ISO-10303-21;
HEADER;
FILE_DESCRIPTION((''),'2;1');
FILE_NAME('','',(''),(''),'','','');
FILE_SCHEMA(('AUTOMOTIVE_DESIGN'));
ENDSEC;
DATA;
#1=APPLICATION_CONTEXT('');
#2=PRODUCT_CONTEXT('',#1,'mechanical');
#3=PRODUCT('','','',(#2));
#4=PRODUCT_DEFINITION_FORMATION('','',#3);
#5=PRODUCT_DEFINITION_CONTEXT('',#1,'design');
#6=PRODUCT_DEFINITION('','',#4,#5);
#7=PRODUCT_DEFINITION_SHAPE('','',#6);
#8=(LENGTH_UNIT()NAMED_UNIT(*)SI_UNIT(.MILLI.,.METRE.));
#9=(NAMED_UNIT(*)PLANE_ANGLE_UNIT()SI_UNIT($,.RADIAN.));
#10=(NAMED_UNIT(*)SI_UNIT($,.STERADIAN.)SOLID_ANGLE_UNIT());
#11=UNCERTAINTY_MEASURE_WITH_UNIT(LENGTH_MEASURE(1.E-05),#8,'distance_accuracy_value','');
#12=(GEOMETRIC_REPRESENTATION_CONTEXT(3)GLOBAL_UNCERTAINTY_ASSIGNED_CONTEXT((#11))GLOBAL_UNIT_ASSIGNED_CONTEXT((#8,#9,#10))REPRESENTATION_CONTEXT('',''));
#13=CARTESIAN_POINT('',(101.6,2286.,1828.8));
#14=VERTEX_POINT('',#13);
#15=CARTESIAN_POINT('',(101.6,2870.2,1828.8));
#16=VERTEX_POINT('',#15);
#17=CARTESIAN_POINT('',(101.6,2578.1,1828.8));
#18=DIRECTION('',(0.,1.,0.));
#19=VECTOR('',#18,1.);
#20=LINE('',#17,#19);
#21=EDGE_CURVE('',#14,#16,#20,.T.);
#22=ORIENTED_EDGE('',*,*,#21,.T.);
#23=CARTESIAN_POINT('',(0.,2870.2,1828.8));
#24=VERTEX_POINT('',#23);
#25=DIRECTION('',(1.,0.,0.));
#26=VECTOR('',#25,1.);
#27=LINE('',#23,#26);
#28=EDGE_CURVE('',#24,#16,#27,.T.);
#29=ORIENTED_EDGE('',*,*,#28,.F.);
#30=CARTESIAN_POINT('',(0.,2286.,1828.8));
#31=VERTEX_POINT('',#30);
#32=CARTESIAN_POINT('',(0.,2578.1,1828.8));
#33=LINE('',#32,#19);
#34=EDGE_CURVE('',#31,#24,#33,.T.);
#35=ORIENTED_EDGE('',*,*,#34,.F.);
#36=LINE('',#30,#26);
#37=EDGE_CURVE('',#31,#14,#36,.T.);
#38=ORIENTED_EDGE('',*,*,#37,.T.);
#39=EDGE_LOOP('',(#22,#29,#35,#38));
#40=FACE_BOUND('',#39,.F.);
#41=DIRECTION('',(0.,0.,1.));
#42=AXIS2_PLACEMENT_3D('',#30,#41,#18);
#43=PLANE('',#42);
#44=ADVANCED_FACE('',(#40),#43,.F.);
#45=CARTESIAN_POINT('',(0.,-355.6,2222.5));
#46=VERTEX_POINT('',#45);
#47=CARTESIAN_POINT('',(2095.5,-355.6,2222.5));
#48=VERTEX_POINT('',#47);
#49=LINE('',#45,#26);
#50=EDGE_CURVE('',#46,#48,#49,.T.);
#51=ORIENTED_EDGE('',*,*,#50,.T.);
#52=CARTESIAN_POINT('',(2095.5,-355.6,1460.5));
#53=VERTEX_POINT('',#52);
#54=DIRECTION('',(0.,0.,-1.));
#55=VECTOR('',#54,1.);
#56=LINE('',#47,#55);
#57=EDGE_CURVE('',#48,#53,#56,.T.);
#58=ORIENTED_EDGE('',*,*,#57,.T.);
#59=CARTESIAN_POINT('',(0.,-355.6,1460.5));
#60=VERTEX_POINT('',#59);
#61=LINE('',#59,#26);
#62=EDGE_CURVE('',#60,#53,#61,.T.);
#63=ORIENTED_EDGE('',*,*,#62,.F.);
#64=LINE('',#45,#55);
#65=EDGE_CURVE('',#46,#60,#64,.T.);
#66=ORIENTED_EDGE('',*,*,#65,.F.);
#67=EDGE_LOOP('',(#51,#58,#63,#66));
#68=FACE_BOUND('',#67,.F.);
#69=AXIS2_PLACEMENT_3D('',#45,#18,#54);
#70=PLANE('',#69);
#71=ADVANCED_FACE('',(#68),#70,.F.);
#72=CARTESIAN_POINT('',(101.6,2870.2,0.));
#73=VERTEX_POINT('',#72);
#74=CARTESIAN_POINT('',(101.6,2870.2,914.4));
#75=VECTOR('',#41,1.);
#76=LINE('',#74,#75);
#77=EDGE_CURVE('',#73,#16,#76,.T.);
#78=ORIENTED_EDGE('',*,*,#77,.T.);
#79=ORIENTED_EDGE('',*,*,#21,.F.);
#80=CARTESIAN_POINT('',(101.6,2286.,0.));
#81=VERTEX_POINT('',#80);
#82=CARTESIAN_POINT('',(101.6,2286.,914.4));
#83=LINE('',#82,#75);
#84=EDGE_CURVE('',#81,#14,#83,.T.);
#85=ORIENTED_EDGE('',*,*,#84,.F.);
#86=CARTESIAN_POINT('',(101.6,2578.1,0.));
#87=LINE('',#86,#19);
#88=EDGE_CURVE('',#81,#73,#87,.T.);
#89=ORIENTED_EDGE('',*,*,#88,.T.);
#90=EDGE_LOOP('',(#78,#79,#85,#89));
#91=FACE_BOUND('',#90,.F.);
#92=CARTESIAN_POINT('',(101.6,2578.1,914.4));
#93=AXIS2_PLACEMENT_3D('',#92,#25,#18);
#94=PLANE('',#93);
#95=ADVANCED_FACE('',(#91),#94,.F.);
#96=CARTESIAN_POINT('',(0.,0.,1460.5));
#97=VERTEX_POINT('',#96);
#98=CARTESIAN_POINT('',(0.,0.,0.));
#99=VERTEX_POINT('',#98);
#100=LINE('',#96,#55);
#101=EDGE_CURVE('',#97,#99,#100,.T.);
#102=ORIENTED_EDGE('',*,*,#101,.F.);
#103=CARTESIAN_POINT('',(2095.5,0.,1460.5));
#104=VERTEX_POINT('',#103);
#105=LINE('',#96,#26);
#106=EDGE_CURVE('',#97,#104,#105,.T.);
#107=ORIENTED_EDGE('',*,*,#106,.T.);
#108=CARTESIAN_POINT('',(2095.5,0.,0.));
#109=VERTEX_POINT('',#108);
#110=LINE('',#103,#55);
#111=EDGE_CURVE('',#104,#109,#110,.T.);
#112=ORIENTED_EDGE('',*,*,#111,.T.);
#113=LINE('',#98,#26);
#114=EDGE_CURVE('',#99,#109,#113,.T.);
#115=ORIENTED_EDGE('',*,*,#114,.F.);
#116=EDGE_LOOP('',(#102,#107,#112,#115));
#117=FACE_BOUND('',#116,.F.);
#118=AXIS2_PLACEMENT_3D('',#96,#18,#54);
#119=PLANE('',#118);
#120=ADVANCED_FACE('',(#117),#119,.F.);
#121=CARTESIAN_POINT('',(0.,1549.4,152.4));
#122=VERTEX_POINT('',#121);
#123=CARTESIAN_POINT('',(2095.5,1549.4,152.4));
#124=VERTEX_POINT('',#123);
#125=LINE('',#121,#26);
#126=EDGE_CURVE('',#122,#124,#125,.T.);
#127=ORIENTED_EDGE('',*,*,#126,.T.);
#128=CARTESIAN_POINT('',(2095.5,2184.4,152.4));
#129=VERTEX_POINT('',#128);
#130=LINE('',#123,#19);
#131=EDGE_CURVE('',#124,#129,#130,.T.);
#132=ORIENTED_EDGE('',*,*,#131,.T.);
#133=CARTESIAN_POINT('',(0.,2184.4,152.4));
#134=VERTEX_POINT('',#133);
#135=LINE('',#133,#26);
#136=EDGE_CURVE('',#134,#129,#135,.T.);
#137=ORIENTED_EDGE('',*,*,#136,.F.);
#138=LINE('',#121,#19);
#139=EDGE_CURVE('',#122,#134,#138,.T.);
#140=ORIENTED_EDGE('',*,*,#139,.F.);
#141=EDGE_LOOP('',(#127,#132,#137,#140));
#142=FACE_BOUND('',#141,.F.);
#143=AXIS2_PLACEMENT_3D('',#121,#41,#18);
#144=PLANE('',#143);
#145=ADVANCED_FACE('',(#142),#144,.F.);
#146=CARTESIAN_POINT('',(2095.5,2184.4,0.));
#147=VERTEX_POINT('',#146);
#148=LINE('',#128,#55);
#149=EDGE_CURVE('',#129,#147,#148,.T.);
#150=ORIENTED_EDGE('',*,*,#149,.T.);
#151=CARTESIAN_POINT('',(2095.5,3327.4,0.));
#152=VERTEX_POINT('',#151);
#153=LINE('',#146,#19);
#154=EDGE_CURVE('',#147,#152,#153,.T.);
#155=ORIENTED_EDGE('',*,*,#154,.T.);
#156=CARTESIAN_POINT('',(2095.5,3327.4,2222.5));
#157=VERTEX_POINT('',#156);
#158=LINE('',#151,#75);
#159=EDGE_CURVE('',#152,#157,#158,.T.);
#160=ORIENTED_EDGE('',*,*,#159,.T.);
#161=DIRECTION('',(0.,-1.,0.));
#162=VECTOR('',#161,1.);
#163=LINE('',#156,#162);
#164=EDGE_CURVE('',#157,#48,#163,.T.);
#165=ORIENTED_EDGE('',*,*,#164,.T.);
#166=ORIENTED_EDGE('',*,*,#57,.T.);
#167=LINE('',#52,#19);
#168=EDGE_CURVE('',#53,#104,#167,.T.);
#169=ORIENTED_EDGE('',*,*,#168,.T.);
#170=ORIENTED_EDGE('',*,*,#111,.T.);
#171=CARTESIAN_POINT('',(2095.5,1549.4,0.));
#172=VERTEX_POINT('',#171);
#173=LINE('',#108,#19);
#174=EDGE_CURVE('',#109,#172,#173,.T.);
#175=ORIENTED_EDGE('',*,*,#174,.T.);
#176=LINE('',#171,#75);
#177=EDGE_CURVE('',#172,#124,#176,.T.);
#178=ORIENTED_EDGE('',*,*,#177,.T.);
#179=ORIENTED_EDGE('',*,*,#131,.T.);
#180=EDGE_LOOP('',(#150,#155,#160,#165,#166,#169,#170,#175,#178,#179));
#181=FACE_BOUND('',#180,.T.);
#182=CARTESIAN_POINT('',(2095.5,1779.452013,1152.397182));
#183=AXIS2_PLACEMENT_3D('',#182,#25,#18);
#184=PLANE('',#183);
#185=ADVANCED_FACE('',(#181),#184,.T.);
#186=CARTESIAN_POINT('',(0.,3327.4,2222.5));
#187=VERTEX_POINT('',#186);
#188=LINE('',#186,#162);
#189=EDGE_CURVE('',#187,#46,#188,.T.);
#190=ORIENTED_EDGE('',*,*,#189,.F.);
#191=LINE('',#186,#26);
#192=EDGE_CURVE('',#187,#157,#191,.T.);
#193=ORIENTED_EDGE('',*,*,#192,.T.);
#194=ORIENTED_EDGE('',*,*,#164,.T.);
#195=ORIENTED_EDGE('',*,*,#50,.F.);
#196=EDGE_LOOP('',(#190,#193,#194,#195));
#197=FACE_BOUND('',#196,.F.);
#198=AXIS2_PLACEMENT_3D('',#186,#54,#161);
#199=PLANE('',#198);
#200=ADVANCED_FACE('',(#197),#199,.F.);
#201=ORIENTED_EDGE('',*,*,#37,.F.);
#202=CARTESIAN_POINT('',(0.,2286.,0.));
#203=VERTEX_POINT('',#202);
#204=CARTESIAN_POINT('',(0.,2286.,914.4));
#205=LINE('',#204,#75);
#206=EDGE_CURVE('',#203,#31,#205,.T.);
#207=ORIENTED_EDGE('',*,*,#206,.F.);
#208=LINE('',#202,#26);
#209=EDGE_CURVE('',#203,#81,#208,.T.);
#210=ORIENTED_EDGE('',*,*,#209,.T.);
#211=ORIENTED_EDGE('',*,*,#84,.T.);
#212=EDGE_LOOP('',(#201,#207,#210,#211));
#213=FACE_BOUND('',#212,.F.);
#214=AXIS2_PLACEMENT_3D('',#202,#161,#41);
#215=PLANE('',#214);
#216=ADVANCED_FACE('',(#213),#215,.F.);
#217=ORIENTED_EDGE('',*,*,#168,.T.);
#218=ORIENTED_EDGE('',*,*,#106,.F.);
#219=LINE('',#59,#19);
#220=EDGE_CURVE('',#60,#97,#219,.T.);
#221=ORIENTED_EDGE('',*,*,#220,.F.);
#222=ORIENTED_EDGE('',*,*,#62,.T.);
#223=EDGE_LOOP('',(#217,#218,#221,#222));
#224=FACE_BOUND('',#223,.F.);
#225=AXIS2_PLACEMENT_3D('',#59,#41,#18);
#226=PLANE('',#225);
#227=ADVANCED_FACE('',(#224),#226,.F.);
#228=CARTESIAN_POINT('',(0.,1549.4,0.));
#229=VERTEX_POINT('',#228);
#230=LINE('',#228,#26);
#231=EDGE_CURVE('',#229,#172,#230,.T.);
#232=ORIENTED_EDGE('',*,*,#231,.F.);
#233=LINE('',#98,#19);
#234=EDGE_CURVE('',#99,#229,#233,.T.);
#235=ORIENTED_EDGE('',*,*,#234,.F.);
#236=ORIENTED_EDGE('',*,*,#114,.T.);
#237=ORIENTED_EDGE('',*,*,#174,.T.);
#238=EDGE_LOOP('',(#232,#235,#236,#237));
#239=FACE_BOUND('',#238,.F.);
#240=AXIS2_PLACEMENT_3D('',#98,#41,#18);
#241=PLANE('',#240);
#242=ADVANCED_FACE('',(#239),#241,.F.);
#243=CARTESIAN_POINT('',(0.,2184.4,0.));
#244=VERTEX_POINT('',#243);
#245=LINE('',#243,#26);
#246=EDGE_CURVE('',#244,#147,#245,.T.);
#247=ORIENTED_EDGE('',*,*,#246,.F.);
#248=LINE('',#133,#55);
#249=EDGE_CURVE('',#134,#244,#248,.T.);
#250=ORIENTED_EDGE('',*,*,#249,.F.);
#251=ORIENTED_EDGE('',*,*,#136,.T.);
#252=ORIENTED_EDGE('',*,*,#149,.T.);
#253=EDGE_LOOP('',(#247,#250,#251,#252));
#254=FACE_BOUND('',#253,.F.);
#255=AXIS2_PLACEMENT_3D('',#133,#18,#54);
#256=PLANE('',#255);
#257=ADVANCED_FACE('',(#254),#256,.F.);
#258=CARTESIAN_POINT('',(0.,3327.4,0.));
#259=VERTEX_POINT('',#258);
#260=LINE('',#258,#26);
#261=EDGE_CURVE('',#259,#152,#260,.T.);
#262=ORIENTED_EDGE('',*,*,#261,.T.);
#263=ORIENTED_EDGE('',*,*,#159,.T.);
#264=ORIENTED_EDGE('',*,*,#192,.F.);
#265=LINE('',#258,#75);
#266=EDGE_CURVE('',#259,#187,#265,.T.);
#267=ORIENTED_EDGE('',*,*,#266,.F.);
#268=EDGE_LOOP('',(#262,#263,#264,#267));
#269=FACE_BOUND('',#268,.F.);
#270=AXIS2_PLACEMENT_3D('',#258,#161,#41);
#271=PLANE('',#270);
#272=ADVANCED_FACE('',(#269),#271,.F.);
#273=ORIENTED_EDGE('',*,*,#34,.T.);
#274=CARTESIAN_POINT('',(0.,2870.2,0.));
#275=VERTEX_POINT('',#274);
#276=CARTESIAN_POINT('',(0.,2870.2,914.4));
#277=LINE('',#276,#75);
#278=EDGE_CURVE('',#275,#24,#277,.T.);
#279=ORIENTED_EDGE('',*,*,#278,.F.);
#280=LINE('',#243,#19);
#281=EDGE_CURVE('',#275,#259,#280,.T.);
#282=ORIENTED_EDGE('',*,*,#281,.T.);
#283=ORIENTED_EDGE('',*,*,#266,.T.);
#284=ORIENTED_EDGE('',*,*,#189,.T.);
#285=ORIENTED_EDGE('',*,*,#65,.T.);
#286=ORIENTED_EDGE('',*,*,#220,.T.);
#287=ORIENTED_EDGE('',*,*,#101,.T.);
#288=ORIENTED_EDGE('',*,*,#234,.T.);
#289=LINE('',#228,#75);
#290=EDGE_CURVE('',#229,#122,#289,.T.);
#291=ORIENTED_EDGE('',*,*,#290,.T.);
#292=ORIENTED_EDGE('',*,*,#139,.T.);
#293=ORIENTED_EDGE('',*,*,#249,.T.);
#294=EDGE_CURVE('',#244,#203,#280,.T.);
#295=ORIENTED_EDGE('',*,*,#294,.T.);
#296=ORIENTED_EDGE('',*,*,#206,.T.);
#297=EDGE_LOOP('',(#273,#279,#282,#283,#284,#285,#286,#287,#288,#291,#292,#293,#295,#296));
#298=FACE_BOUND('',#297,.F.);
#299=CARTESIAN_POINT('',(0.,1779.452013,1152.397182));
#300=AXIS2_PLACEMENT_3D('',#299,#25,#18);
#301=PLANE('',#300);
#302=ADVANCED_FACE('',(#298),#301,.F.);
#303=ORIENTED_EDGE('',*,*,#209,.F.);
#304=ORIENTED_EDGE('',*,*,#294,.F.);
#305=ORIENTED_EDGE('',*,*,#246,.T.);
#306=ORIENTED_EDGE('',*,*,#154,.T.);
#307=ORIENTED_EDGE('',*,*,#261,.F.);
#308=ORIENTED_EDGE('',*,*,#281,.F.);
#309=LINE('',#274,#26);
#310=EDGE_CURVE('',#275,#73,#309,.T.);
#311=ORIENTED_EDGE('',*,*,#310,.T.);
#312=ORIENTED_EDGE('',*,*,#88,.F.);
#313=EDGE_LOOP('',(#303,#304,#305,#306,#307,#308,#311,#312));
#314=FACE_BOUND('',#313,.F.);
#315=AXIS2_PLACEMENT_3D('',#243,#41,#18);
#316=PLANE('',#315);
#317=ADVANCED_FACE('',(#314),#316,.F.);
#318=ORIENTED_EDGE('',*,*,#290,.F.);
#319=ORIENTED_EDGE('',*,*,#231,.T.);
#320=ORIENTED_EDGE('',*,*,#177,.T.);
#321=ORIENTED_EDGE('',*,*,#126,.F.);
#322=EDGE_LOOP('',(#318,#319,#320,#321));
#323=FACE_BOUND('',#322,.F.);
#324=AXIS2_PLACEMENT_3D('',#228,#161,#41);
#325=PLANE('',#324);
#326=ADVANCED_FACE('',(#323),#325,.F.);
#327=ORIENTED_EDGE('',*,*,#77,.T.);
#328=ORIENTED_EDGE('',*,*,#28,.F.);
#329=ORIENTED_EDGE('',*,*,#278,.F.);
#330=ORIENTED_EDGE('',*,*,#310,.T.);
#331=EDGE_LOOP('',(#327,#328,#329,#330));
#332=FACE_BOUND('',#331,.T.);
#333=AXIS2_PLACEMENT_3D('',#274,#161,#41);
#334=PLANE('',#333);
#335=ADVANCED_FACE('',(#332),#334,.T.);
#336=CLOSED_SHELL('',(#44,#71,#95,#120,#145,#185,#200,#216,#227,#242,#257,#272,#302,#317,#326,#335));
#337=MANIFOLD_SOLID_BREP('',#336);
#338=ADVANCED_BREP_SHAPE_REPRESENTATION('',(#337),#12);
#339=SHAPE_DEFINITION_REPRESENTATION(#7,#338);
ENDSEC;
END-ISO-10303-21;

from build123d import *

# Parameters (mm, degrees)
F0_W     = 584.2
F0_H     = 1828.8
F1_DEPTH = 2095.5
F2_DEPTH = 101.6


with BuildPart() as f1:
    # F0 (on Right) → F1 (new body)
    with BuildSketch(Plane.YZ):
        Polygon((0, 1460.5), (0, 0), (1549.4, 0), (1549.4, 152.4), (2184.4, 152.4), (2184.4, 0), (2286, 0), (2286, 1828.8), (2870.2, 1828.8), (2870.2, 0), (3327.4, 0), (3327.4, 2222.5), (-355.6, 2222.5), (-355.6, 1460.5), align=None)
        with Locations((2578.1, 914.4)):
            Rectangle(F0_W, F0_H)
    extrude(amount=F1_DEPTH)

    # F0 (on Right) → F2 (cut)
    with BuildSketch(Plane.YZ):
        with Locations((2578.1, 914.4)):
            Rectangle(F0_W, F0_H)
    extrude(amount=F2_DEPTH, mode=Mode.SUBTRACT)


solid = f1.part
